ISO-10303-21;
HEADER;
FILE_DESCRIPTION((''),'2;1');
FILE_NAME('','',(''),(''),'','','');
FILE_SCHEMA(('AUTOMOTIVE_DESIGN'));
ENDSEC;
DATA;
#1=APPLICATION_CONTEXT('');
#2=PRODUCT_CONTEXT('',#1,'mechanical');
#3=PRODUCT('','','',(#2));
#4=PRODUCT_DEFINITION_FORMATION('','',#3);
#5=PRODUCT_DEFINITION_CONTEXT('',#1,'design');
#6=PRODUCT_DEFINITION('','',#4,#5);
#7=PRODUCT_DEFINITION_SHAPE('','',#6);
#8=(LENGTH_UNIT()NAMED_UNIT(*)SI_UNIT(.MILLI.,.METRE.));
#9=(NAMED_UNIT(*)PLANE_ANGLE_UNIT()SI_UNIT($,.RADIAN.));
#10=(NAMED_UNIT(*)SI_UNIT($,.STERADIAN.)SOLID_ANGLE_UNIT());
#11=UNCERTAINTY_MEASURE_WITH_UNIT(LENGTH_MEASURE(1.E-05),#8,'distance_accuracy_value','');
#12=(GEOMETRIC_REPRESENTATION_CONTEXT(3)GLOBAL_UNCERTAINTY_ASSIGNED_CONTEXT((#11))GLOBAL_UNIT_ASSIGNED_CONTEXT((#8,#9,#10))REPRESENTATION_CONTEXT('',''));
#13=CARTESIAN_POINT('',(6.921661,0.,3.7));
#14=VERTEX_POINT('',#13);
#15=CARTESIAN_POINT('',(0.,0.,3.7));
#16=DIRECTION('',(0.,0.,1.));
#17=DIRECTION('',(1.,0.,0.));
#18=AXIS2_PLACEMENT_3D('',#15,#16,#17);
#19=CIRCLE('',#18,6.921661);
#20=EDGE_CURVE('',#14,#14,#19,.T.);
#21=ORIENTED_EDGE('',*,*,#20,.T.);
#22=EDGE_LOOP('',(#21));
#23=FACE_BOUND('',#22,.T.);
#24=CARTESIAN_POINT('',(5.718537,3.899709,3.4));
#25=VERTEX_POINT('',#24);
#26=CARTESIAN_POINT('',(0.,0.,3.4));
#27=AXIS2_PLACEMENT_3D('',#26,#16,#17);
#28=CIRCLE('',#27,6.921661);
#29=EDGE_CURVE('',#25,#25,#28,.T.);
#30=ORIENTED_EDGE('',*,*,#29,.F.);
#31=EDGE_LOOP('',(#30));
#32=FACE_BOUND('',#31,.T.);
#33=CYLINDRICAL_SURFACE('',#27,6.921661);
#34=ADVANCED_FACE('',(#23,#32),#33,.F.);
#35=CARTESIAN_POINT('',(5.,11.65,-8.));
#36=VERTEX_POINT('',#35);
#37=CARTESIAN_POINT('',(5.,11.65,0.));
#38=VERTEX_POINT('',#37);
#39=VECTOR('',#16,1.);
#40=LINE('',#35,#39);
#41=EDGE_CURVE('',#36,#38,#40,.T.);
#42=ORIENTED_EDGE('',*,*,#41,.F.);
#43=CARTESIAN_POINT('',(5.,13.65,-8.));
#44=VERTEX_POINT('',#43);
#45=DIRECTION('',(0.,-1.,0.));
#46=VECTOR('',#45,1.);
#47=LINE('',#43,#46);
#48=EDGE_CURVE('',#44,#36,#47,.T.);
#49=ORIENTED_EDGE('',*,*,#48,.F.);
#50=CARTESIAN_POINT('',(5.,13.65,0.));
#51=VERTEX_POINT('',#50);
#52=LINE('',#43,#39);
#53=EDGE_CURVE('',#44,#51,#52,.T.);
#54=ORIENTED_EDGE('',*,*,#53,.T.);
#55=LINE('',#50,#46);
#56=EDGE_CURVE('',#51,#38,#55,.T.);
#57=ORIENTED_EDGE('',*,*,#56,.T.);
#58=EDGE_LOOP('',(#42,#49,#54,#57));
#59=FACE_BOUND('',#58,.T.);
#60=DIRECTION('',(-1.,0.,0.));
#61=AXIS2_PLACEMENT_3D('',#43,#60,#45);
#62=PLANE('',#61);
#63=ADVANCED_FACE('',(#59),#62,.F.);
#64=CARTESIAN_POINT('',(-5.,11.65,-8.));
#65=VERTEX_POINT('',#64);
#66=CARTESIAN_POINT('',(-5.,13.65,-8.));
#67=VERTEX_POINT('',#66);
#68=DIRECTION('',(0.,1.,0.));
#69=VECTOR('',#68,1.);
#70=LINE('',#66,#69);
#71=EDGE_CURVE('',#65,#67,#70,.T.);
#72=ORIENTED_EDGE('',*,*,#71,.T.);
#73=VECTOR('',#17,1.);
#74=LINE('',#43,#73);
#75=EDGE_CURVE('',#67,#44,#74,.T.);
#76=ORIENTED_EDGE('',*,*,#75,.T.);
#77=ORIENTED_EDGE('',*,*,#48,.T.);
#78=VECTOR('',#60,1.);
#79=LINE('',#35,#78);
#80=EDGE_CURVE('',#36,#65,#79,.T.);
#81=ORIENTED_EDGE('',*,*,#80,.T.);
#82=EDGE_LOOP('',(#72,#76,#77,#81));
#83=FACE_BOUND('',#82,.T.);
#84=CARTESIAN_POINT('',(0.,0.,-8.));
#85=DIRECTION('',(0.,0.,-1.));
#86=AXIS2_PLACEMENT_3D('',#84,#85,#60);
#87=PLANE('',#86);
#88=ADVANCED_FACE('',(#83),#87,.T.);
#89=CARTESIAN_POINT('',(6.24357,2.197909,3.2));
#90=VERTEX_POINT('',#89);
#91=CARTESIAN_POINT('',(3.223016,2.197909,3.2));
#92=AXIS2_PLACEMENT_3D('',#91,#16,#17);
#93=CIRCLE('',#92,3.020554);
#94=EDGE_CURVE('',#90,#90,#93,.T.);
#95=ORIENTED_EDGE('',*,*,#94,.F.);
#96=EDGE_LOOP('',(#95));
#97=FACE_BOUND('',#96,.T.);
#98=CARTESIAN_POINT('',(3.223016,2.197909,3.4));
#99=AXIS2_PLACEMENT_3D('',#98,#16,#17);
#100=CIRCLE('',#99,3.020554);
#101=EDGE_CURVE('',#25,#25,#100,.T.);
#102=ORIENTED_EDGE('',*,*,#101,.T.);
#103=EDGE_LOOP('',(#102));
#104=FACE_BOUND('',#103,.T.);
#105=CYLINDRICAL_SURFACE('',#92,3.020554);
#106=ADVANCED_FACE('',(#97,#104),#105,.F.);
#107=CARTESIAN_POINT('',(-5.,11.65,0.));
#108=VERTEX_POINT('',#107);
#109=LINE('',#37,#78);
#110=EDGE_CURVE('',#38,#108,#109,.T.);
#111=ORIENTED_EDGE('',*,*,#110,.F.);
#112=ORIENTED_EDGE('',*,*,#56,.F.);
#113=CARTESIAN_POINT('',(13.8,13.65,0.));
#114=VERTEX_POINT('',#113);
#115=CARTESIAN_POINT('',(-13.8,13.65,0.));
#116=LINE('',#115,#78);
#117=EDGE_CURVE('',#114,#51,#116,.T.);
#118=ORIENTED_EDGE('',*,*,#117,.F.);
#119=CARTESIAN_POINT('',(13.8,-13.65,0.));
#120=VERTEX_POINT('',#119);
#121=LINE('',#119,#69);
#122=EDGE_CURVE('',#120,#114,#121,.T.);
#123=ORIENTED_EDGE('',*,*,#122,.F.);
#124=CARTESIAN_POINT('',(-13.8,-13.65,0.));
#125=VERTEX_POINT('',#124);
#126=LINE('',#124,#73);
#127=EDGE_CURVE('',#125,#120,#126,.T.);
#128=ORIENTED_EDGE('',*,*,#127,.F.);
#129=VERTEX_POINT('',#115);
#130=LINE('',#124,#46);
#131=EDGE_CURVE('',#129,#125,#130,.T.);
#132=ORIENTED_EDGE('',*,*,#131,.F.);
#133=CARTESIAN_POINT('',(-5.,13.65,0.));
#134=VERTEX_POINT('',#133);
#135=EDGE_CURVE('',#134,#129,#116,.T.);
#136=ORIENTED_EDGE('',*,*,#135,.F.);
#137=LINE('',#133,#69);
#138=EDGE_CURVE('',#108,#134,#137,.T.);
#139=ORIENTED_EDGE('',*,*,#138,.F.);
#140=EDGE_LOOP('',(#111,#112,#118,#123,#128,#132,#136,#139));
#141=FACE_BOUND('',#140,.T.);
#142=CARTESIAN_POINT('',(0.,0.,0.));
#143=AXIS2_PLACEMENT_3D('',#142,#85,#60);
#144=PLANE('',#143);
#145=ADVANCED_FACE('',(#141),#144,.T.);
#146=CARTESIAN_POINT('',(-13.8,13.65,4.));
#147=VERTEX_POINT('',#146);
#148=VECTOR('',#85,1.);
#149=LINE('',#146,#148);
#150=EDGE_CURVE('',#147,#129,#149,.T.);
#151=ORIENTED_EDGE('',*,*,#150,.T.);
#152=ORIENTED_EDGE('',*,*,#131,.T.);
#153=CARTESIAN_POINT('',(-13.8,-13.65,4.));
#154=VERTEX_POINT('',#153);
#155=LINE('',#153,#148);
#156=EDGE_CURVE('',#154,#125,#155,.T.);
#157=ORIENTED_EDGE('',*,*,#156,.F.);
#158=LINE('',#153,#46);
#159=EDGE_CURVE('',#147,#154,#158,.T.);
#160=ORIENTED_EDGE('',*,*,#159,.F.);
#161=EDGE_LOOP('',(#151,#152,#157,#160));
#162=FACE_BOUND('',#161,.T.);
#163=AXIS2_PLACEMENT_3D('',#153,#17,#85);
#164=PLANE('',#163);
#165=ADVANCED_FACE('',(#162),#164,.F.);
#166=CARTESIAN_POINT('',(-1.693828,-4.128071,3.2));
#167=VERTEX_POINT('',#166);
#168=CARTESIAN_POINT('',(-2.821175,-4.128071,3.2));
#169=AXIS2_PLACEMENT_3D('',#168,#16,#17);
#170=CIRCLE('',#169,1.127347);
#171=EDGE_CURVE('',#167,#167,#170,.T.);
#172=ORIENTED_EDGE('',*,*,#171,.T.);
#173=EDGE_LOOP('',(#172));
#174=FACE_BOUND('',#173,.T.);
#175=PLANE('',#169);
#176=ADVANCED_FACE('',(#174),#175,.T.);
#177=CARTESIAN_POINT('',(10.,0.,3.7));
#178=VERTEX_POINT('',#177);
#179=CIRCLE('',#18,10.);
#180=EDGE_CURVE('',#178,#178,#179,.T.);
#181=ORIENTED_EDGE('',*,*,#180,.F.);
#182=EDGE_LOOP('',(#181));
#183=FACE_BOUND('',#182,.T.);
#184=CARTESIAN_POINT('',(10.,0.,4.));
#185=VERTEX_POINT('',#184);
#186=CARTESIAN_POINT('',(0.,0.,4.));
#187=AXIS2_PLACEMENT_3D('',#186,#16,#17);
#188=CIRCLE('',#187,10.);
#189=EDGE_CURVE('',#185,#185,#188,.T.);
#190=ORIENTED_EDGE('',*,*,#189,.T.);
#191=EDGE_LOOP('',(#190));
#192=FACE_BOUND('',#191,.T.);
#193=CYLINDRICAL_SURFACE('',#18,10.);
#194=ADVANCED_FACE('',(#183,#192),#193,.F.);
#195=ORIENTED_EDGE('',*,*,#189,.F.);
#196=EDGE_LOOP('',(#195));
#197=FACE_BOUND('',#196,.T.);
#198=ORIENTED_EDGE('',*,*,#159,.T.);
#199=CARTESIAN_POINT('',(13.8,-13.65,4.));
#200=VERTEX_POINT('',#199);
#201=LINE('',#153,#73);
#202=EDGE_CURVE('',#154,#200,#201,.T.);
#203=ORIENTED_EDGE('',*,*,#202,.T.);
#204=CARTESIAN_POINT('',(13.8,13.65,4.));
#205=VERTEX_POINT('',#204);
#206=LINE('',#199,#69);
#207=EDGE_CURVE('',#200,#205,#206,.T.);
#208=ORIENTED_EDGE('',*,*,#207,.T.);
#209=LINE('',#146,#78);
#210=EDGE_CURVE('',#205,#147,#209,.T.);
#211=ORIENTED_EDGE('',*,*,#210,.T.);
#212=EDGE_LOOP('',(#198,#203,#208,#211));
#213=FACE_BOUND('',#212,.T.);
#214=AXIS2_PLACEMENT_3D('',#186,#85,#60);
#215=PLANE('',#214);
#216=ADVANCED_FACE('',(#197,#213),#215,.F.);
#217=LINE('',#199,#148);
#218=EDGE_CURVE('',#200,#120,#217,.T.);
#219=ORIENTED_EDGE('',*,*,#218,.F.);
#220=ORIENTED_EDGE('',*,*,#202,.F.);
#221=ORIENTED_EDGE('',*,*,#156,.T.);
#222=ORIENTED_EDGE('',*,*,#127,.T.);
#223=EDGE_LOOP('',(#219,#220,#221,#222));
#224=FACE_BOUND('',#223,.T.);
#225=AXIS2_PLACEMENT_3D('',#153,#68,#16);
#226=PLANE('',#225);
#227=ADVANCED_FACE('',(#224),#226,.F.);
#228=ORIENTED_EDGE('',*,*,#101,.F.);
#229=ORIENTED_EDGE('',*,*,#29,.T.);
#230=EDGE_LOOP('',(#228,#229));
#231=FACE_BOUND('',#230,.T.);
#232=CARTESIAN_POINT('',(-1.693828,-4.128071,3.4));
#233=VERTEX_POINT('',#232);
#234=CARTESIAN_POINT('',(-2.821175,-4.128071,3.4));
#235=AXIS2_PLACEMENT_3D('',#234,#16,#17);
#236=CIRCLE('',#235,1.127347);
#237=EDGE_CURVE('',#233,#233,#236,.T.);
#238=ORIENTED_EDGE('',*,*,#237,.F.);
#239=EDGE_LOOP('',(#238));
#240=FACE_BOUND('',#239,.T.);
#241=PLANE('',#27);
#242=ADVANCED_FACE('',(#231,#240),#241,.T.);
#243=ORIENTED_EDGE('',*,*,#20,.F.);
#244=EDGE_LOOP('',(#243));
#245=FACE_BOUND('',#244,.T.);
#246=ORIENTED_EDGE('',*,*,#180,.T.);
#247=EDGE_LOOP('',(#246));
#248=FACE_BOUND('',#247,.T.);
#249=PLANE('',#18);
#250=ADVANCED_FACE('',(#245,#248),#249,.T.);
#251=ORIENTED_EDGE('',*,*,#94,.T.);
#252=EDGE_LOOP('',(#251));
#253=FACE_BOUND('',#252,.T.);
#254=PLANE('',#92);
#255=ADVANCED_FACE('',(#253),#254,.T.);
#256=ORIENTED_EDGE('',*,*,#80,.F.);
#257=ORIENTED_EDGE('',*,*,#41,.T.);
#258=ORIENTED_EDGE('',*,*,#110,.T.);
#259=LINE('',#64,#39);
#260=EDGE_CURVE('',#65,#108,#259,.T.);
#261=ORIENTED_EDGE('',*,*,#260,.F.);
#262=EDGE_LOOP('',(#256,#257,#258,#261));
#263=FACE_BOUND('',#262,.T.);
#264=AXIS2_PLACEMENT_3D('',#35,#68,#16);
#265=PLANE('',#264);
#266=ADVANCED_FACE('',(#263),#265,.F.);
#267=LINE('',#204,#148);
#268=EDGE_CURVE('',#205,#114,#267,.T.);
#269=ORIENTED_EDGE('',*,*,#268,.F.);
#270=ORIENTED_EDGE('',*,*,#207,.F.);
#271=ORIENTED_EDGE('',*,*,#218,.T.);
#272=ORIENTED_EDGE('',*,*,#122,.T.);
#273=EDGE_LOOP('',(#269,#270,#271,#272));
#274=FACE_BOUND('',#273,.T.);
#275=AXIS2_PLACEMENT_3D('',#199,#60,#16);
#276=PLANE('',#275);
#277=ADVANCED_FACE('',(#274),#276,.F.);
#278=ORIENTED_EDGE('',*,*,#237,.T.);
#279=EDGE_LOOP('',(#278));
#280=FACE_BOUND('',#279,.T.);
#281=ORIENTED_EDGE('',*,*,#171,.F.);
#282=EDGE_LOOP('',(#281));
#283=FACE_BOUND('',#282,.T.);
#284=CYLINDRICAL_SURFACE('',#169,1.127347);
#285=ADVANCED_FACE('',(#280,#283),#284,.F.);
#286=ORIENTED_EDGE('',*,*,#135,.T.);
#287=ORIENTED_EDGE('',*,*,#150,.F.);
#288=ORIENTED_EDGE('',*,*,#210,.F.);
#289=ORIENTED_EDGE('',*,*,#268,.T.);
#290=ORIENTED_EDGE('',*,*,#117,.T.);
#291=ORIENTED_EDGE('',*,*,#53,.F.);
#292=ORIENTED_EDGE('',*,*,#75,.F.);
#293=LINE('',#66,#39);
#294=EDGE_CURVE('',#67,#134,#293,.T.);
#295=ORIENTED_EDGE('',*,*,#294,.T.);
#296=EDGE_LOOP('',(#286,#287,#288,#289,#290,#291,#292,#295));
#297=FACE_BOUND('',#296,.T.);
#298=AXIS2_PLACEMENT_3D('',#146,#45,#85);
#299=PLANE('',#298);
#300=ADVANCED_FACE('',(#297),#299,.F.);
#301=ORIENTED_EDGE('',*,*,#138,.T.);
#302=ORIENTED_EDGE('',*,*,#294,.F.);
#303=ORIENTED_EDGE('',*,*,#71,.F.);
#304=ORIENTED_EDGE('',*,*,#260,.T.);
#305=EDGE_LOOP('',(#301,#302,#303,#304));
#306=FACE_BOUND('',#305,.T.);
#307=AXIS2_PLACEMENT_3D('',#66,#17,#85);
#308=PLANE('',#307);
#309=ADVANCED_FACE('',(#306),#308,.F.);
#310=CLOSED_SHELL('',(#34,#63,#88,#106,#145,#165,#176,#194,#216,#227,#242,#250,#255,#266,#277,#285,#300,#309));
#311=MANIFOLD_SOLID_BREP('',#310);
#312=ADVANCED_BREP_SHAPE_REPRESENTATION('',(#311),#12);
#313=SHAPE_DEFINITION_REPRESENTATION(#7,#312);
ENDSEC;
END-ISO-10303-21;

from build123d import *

# Parameters (mm, degrees)
SKETCH_1_W          = 27.6
SKETCH_1_H          = 27.3
EXTRUDE_1_DEPTH     = 4
CUT_EXTRUDE_START   = 4
SKETCH_2_R          = 10
CUT_EXTRUDE_1_DEPTH = 0.3
SKETCH_2_3_R        = 6.921661
CUT_EXTRUDE_7_DEPTH = 0.6
SKETCH_2_5_R        = 1.127346788
SKETCH_2_5_R_2      = 3.020554036
CUT_EXTRUDE_8_DEPTH = 0.8
SKETCH_3_W          = 10
SKETCH_3_H          = 2
EXTRUDE_2_DEPTH     = 8


with BuildPart() as part:
    # 草图1 → 凸台-拉伸1 (new body)
    with BuildSketch(Plane.XY):
        Rectangle(SKETCH_1_W, SKETCH_1_H)
    extrude(amount=EXTRUDE_1_DEPTH)

    # 草图2 → 切除-拉伸1 (cut)
    with BuildSketch(Plane.XY.offset(CUT_EXTRUDE_START)):
        Circle(SKETCH_2_R)
    extrude(amount=-CUT_EXTRUDE_1_DEPTH, mode=Mode.SUBTRACT)

    # 草图2<3> → 切除-拉伸7 (cut)
    with BuildSketch(Plane.XY.offset(CUT_EXTRUDE_START)):
        Circle(SKETCH_2_3_R)
    extrude(amount=-CUT_EXTRUDE_7_DEPTH, mode=Mode.SUBTRACT)

    # 草图2<5> → 切除-拉伸8 (cut)
    with BuildSketch(Plane.XY.offset(CUT_EXTRUDE_START)):
        with Locations((-2.821175222, -4.128071022)):
            Circle(SKETCH_2_5_R)
        with Locations((3.223015918, 2.197908993)):
            Circle(SKETCH_2_5_R_2)
    extrude(amount=-CUT_EXTRUDE_8_DEPTH, mode=Mode.SUBTRACT)

    # 草图3 → 凸台-拉伸2 (add)
    with BuildSketch(Plane(origin=(0, 0, 0), x_dir=(-1, 0, 0), z_dir=(0, 0, -1))):
        with Locations((0, 12.65)):
            Rectangle(SKETCH_3_W, SKETCH_3_H)
    extrude(amount=EXTRUDE_2_DEPTH)


solid = part.part
